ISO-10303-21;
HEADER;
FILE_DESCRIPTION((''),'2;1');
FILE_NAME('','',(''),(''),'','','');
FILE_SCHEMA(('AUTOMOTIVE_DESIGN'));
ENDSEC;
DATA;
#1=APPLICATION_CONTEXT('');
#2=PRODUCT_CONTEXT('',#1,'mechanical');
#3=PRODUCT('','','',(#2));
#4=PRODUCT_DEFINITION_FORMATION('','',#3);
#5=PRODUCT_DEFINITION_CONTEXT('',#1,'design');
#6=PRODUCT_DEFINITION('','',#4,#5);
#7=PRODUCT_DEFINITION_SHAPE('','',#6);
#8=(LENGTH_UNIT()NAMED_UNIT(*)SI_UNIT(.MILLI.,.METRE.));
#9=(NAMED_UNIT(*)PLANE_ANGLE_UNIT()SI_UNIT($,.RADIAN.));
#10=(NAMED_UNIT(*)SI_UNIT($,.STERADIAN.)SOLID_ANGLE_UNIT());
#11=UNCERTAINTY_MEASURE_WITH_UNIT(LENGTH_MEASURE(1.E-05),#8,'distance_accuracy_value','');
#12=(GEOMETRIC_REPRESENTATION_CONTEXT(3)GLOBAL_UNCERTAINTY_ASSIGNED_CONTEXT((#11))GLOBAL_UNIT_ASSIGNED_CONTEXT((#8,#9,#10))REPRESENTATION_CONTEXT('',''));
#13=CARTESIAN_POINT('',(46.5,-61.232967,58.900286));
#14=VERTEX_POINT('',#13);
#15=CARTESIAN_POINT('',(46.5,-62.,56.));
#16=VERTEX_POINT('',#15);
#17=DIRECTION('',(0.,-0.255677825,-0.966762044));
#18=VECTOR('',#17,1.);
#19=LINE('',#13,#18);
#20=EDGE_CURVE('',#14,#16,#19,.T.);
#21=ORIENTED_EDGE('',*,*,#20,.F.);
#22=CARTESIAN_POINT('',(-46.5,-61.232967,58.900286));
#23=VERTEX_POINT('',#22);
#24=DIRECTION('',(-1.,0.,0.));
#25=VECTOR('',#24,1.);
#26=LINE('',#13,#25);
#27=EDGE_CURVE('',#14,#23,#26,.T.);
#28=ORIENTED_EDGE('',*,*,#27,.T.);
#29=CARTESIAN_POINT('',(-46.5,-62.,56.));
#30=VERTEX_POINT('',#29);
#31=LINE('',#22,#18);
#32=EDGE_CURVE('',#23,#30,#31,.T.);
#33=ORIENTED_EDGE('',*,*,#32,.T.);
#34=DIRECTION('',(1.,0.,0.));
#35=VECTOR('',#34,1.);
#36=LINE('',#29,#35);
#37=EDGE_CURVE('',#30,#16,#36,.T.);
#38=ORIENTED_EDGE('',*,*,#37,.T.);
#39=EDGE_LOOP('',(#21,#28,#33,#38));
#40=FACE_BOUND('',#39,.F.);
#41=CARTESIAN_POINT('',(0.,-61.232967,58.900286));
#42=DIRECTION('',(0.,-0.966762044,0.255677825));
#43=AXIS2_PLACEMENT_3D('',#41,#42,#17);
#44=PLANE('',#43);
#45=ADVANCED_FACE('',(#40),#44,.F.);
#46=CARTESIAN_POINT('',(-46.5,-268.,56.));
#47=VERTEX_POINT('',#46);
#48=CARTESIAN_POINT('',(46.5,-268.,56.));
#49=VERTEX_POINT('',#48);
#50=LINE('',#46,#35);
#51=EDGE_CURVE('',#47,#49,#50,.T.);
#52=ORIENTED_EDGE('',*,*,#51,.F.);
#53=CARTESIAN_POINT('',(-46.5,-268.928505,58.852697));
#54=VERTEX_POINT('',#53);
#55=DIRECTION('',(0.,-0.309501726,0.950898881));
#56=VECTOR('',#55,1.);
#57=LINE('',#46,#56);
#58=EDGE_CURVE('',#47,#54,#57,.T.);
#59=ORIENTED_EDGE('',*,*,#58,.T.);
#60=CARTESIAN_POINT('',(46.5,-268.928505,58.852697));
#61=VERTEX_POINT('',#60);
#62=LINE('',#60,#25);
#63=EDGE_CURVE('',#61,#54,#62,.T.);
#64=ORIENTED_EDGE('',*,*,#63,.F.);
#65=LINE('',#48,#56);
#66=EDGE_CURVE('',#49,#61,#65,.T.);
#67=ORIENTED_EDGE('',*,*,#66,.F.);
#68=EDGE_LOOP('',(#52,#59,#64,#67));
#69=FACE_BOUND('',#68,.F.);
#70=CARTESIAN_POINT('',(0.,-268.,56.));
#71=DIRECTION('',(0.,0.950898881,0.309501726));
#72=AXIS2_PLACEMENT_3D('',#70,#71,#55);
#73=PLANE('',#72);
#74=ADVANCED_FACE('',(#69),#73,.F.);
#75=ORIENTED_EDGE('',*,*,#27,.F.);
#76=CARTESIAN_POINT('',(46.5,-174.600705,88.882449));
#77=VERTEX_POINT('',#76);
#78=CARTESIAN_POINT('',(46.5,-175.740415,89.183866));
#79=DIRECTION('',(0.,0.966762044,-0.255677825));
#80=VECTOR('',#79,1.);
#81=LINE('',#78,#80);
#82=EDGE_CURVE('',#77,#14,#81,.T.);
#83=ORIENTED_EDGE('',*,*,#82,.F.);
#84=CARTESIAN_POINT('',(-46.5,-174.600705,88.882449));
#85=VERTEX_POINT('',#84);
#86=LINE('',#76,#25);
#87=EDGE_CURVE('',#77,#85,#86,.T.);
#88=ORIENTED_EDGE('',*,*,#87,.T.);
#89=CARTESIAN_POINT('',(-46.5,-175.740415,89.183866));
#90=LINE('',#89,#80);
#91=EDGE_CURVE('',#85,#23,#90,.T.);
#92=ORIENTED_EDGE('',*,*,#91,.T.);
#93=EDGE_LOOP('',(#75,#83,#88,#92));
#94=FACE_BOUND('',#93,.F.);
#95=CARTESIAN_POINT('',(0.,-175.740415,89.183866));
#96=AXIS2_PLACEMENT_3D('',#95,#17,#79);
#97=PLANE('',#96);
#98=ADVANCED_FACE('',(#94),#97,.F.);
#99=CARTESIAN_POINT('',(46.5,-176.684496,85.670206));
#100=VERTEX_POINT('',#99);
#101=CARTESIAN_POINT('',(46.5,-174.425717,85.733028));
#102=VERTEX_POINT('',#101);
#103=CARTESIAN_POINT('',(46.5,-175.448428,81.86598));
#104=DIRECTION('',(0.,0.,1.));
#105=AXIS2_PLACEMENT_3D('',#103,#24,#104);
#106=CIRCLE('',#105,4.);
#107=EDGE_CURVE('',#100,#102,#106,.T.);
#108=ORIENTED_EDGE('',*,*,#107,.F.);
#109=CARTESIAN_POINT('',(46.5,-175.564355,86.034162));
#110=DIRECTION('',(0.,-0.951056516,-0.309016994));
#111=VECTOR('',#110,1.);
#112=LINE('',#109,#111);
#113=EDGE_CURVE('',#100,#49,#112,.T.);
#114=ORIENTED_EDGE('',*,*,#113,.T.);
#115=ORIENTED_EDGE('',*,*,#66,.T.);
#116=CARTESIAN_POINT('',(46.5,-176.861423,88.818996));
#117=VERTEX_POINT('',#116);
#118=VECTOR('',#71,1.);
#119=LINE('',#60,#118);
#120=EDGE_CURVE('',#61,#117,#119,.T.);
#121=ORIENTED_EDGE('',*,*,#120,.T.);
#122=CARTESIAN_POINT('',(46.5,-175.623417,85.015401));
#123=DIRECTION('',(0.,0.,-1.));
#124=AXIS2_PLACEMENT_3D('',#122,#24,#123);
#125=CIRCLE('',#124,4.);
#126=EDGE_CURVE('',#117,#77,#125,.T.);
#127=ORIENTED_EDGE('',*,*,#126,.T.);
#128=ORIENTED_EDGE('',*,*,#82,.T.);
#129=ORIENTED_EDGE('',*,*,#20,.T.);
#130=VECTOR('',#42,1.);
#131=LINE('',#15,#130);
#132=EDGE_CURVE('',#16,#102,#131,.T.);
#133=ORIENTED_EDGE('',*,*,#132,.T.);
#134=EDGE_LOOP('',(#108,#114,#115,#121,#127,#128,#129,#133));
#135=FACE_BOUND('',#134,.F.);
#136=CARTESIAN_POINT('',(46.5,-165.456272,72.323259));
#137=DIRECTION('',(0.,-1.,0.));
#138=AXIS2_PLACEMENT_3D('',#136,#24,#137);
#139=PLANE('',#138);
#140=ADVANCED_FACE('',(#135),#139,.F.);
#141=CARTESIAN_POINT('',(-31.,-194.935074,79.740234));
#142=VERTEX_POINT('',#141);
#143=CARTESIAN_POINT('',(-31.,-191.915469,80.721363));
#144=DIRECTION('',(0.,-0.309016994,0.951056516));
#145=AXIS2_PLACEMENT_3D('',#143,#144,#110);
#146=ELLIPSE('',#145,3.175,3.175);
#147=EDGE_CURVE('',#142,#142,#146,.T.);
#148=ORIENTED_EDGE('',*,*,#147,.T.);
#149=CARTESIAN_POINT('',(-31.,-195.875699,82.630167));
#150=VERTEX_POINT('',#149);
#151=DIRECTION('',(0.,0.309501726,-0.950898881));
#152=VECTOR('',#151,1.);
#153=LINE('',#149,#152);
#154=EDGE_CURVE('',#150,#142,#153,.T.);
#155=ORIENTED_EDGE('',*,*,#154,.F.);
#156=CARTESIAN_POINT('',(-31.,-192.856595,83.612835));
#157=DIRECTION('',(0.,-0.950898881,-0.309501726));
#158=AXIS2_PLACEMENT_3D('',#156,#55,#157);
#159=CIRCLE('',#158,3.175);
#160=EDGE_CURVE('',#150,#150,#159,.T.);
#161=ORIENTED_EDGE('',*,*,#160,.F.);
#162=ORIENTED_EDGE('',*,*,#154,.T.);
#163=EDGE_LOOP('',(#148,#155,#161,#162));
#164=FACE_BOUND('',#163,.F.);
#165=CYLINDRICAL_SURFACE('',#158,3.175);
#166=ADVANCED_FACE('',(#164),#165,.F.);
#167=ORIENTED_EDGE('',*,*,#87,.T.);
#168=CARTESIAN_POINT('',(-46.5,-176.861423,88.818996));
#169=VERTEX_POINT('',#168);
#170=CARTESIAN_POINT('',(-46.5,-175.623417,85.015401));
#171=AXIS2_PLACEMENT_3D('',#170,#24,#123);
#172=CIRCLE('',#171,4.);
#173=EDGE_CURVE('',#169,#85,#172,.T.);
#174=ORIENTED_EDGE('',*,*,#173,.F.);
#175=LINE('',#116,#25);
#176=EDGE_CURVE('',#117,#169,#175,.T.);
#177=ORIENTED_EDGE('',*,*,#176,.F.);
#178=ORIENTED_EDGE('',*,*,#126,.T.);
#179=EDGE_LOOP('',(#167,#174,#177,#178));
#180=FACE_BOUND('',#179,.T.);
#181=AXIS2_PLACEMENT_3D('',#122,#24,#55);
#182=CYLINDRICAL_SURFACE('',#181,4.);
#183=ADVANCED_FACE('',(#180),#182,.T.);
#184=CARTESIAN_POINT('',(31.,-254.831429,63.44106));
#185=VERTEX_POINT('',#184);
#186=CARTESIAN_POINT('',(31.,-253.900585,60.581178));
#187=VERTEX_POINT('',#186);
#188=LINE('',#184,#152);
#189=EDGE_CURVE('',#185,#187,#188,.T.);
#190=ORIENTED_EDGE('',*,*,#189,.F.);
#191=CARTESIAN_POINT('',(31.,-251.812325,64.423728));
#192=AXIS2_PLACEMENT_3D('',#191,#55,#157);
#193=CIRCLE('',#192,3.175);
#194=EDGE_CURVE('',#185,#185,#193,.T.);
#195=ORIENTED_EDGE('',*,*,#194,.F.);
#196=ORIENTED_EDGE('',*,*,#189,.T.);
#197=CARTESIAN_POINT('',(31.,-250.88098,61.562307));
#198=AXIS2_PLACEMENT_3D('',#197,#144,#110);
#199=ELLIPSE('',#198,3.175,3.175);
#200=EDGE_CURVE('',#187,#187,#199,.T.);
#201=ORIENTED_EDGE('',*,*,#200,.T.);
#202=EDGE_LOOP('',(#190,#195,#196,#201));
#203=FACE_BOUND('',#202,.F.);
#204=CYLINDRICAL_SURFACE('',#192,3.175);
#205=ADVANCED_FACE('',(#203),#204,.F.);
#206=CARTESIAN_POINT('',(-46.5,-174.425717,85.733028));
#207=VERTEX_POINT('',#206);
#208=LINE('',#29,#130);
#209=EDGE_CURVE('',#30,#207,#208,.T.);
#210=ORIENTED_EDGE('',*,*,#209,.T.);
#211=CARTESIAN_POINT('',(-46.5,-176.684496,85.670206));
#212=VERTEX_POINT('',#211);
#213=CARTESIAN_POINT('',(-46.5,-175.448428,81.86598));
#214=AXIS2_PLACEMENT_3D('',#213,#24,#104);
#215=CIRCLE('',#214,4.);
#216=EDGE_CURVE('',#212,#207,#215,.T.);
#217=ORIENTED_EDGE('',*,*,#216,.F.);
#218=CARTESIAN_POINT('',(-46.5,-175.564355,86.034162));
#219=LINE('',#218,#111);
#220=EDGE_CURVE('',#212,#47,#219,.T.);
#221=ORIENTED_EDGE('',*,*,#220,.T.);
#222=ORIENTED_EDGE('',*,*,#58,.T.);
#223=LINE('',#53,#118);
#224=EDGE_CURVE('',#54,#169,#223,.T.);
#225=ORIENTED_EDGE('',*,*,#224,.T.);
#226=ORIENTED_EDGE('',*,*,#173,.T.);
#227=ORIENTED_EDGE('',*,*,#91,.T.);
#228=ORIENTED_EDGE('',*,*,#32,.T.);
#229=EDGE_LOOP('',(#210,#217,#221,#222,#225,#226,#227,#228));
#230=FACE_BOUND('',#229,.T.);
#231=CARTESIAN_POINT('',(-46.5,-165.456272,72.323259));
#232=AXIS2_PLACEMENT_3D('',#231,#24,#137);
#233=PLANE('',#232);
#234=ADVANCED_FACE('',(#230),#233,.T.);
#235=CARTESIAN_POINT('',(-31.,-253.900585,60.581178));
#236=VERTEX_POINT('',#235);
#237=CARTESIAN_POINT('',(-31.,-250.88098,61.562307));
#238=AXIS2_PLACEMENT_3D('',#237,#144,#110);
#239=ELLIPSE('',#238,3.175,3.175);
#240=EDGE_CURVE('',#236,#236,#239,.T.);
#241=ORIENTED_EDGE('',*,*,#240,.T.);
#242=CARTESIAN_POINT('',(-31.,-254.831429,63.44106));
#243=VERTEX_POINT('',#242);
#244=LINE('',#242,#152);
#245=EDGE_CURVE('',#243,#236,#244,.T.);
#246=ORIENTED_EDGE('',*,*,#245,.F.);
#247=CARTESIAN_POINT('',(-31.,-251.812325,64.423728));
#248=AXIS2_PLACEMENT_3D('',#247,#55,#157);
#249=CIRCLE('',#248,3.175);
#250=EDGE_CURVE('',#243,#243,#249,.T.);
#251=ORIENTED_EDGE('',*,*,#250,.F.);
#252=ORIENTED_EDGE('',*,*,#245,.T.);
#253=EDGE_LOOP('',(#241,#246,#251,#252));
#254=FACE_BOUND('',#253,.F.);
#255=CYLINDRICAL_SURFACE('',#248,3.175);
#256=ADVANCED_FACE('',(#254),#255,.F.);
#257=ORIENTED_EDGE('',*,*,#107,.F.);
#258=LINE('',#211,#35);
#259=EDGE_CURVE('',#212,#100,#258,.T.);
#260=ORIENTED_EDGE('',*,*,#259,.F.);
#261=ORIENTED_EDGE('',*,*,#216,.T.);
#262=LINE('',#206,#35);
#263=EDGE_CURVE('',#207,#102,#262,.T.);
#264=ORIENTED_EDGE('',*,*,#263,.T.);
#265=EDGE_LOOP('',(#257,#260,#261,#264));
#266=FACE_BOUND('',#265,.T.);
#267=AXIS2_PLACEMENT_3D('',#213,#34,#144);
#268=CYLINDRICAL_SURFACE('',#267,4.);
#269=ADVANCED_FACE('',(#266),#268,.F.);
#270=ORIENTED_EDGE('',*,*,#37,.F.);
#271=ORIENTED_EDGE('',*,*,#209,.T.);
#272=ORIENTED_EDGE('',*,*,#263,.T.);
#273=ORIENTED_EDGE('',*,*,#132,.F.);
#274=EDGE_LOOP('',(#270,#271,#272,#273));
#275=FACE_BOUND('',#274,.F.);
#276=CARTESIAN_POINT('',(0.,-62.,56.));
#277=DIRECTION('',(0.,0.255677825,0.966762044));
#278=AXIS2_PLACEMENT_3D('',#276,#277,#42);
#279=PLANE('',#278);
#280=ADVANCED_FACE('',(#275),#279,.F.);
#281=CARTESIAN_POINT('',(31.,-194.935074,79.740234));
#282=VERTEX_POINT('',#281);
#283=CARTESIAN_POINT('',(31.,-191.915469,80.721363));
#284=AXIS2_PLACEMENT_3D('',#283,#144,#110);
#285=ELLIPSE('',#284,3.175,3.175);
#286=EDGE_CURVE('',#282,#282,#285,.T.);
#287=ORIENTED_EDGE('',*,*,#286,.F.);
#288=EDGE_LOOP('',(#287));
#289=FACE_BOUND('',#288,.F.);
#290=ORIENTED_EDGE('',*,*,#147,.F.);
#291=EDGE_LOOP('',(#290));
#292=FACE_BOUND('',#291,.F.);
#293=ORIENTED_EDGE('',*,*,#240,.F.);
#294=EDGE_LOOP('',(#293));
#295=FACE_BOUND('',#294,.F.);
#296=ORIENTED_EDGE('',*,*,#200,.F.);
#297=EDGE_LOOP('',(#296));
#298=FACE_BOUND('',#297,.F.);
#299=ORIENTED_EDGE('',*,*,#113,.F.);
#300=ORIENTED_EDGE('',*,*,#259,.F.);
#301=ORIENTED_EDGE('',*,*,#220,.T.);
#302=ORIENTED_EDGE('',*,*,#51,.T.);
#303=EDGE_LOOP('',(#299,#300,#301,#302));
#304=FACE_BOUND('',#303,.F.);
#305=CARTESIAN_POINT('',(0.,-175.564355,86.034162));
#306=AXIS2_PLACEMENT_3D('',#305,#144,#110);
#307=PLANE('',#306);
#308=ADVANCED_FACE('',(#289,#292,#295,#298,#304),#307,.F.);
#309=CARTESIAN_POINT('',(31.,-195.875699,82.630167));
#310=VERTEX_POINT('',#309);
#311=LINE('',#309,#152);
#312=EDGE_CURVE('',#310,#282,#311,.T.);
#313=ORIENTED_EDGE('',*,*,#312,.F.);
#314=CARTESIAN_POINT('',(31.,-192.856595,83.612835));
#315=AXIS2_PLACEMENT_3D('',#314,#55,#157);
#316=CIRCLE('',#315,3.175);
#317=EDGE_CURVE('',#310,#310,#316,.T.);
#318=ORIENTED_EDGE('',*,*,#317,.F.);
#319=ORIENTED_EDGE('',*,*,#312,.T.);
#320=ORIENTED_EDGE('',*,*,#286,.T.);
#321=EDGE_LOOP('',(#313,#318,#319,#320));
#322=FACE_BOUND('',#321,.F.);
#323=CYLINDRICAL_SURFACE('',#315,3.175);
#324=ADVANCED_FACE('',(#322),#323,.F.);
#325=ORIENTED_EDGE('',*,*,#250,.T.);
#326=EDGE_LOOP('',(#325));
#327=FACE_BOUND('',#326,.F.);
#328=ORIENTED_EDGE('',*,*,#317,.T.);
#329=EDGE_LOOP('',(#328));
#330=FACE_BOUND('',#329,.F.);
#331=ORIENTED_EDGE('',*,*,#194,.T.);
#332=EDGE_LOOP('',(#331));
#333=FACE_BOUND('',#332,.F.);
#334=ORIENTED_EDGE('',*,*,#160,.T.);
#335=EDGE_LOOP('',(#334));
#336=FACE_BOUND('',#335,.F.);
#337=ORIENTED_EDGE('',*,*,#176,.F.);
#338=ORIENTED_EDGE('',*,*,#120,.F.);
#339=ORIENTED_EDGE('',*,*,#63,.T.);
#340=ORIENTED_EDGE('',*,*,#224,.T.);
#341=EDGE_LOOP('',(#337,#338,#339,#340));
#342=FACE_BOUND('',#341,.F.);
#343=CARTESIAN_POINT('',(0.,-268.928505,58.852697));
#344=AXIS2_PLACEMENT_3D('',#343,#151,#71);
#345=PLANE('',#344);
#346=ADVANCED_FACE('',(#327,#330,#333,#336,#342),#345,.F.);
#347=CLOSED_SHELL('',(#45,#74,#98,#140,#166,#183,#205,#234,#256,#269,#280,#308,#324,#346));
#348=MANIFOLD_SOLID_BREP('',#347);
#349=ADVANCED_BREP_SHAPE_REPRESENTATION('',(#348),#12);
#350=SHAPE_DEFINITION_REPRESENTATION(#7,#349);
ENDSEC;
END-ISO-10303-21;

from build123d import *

# Parameters (mm, degrees)
PAD015_DEPTH    = 46.5
SKETCH024_R     = 3.175
POCKET016_DEPTH = 4
FILLET007_R     = 4


with BuildPart() as part:
    # Sketch043 → Pad015 (new body, symmetric)
    with BuildSketch(Plane.YZ):
        Polygon((-268, 55), (-268.9285051775, 57.8526966427), (-175.7404148487, 88.1838657739), (-61.2329665245, 57.900286132), (-62, 55), (-175.5643554306, 85.0341615546), align=None)
    extrude(amount=PAD015_DEPTH, both=True)

    # Sketch024 (on Face2 of Pad015) → Pocket016 (cut)
    with BuildSketch(Plane(origin=(0, -42.7873449396, 131.4578725241), x_dir=(0, -0.9508988809, -0.3095017258), z_dir=(0, -0.3095017258, 0.9508988809))):
        with Locations((157.8183051623, -31)):
            Circle(SKETCH024_R)
        with Locations((157.8183051623, 31)):
            Circle(SKETCH024_R)
        with Locations((219.8183051623, 31)):
            Circle(SKETCH024_R)
        with Locations((219.8183051623, -31)):
            Circle(SKETCH024_R)
    extrude(amount=-POCKET016_DEPTH, mode=Mode.SUBTRACT)

    # Fillet007
    fillet007_edges = [part.edges().sort_by_distance(p)[0] for p in [
        (0, -175.740415, 88.183866),
        (0, -175.564355, 85.034162),
    ]]
    fillet(fillet007_edges, radius=FILLET007_R)


with BuildPart() as part_1:
    # Body009 placement: moved
    add(part.part.moved(Location((0, 0, 1))))


solid = part_1.part
